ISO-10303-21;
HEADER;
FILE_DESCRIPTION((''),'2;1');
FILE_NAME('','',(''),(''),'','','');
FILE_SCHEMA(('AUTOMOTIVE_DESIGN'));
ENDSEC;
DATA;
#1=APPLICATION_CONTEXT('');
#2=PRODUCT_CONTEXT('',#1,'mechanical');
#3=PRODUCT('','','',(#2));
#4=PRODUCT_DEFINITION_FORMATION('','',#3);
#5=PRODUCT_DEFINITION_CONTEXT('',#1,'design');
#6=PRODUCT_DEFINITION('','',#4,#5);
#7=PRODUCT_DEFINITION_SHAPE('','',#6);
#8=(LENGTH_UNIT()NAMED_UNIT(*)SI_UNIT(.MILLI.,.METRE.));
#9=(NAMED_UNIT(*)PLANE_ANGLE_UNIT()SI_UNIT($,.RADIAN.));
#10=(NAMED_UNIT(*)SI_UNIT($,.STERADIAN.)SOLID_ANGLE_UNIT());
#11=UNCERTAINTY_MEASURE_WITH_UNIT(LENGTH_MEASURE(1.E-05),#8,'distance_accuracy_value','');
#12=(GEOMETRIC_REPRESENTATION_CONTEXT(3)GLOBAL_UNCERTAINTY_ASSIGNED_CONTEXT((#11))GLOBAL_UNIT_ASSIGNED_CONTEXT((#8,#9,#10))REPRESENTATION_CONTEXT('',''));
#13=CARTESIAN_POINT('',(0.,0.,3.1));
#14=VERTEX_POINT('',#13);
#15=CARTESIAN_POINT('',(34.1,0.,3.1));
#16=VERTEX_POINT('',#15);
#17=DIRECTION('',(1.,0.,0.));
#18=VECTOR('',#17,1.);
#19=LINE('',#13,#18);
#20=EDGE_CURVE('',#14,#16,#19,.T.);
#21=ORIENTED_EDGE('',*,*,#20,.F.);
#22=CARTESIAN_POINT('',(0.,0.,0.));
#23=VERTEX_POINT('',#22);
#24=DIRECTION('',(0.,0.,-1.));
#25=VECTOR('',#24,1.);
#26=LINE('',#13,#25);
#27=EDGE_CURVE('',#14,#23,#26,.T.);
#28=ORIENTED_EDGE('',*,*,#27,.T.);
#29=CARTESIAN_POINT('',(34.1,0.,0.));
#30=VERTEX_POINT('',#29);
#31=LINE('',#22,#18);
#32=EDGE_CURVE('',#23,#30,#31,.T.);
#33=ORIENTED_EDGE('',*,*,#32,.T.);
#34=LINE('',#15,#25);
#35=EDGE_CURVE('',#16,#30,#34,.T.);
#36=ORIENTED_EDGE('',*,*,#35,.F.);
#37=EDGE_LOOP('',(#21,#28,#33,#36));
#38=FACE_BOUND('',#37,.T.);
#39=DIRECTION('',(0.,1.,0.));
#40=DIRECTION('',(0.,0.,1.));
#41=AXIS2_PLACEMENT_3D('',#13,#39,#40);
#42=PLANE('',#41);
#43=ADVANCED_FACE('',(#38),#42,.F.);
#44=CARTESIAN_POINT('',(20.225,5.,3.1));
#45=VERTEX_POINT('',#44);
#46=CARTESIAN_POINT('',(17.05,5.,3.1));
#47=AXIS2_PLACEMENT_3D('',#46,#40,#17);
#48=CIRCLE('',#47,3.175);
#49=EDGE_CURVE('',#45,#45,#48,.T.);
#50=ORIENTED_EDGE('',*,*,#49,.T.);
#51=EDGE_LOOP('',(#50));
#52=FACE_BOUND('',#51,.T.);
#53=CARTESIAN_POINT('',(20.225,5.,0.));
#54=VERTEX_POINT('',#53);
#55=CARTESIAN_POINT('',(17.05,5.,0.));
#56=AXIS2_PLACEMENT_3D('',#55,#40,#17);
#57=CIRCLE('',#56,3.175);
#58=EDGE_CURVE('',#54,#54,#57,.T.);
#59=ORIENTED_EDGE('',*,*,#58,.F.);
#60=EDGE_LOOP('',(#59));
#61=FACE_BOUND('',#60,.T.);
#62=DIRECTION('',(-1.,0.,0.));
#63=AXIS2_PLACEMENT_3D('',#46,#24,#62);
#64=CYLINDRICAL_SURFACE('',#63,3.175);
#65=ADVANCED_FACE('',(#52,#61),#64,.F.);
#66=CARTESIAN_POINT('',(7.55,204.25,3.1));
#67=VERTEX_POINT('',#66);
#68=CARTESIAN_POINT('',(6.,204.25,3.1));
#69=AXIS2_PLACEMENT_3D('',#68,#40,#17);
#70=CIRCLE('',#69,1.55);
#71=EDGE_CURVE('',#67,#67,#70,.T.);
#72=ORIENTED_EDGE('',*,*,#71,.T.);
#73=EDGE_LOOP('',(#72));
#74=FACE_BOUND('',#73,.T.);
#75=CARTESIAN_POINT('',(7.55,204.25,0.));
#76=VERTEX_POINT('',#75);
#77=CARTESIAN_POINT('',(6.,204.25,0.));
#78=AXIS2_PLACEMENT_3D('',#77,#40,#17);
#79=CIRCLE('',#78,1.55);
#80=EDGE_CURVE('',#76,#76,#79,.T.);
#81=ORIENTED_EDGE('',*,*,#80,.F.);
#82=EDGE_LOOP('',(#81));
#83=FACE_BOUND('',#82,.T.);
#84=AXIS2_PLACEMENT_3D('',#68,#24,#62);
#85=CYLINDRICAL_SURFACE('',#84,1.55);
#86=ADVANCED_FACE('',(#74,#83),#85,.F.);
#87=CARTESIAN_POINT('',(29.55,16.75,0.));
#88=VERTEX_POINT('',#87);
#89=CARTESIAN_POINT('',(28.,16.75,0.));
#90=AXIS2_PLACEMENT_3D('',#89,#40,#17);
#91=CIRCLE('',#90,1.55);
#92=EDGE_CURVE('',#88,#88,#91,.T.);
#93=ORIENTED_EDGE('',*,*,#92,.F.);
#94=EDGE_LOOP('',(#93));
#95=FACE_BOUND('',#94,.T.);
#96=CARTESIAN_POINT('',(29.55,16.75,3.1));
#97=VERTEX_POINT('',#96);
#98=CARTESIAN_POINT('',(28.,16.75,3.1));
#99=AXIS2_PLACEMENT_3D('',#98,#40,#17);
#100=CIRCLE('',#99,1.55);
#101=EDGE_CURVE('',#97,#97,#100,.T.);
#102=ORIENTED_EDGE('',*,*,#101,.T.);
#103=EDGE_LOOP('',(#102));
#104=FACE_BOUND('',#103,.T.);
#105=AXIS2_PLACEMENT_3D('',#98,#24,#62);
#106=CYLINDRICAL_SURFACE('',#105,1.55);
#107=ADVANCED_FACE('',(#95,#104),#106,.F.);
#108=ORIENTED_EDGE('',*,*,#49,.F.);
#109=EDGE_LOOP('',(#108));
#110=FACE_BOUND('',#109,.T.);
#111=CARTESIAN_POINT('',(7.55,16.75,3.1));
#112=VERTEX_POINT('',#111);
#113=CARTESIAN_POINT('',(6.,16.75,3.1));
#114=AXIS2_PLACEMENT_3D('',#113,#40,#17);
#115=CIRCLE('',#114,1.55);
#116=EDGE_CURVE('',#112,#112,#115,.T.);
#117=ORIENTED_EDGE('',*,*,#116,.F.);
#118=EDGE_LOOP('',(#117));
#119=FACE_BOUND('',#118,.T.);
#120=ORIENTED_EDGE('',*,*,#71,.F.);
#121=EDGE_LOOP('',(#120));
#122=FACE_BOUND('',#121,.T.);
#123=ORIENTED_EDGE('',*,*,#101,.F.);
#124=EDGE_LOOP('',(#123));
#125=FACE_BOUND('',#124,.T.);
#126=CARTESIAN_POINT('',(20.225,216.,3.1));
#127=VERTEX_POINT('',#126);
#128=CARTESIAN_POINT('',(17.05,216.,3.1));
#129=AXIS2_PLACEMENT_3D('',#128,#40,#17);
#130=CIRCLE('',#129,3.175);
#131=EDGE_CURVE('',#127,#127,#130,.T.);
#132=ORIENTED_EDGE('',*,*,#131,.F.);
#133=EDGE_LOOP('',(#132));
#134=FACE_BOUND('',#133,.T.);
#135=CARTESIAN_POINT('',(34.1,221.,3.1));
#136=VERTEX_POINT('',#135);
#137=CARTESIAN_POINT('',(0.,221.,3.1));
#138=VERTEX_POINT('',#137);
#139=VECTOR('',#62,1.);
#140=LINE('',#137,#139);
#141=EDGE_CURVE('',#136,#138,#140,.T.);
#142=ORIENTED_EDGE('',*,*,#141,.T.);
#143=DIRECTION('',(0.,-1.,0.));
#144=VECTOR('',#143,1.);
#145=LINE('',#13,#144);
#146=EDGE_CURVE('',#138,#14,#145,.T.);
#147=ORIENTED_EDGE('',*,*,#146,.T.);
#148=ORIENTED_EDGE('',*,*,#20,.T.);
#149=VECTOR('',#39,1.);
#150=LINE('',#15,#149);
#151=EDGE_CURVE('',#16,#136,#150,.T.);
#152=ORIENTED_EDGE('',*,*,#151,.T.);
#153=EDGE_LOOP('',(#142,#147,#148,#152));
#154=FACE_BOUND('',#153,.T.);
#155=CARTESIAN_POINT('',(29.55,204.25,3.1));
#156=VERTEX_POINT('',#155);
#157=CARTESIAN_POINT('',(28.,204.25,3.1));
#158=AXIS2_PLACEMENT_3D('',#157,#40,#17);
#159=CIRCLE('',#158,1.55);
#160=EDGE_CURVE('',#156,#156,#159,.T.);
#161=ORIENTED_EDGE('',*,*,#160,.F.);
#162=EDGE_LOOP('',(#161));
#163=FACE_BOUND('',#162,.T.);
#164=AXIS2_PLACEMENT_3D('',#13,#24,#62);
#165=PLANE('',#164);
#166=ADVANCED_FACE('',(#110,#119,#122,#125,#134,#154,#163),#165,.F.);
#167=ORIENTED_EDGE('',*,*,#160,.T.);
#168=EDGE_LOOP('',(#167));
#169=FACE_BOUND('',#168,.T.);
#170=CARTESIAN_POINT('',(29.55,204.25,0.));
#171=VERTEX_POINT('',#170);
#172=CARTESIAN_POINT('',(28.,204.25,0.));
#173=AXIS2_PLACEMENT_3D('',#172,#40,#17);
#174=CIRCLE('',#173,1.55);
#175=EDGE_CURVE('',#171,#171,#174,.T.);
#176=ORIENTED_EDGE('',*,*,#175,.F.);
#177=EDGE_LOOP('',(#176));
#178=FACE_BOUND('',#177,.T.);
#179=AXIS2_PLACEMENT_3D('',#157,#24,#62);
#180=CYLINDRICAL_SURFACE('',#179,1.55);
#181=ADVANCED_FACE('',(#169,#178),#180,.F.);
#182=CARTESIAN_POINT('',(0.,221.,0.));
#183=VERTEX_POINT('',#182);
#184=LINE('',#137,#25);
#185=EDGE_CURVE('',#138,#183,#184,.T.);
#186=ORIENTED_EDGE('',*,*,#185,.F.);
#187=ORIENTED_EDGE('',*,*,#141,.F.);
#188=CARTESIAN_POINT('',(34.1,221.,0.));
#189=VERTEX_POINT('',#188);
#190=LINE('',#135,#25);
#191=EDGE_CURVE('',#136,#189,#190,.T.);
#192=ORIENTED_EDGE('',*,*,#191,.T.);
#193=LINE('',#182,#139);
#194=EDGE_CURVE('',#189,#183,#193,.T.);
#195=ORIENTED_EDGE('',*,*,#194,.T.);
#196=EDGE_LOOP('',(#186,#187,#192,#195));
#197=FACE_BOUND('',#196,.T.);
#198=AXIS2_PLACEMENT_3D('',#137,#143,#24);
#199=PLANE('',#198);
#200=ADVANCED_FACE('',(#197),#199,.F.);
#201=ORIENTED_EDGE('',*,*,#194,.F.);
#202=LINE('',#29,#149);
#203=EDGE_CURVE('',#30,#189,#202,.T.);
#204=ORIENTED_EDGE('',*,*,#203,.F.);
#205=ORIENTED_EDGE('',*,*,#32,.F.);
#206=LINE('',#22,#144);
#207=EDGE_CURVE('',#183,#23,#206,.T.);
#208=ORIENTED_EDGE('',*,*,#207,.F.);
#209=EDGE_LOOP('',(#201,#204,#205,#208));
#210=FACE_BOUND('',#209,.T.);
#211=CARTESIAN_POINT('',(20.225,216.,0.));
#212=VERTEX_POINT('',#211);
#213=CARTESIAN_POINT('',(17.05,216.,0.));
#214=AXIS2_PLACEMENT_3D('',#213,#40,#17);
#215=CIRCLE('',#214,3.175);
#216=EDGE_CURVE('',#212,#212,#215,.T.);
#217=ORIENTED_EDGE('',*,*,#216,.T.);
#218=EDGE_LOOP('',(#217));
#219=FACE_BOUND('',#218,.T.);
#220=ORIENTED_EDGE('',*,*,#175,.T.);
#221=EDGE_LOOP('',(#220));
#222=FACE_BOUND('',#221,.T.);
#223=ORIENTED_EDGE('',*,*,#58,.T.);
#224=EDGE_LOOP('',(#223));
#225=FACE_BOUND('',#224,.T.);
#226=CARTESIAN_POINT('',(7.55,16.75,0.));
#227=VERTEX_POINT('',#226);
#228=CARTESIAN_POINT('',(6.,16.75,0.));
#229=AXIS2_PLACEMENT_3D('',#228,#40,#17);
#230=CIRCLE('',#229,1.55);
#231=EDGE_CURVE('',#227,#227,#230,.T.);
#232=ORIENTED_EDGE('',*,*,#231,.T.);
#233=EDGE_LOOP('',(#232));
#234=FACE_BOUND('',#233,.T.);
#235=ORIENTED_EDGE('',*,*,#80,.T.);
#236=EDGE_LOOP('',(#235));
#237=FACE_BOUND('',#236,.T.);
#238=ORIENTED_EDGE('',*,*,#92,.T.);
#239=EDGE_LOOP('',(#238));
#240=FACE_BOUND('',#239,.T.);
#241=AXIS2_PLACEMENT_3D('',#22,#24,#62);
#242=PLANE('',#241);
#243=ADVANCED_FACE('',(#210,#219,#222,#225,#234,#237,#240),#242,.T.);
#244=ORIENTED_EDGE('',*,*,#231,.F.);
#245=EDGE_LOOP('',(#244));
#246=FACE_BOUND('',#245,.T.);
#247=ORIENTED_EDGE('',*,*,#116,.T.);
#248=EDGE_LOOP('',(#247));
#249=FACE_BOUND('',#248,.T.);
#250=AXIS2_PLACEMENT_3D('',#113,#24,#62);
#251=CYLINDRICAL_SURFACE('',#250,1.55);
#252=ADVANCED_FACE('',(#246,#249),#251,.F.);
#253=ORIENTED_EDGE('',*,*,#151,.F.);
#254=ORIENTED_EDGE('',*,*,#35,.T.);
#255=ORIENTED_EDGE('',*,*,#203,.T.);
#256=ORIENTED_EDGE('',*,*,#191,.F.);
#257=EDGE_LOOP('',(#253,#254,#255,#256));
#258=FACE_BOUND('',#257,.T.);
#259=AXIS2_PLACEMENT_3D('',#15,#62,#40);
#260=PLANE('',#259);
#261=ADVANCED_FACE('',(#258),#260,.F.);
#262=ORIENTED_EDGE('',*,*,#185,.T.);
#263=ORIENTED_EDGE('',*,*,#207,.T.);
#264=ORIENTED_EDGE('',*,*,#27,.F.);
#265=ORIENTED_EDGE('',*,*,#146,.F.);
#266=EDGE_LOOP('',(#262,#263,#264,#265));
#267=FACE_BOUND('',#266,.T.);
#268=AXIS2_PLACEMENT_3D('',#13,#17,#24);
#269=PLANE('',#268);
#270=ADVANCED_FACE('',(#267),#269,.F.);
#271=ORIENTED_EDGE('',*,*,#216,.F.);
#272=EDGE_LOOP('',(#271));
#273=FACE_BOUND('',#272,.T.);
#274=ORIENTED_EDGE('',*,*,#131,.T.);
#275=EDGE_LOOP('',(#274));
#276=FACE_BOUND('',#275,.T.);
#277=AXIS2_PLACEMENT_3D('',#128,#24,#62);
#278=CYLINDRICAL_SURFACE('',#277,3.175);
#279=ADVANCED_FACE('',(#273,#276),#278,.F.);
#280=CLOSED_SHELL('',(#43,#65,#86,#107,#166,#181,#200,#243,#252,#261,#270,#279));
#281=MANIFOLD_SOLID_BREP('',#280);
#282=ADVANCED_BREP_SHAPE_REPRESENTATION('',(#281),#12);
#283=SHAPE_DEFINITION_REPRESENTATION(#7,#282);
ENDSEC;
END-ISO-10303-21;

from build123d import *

# Parameters (mm, degrees)
SKETCH1_W           = 34.1
SKETCH1_H           = 221
SKETCH1_R           = 3.175
SKETCH1_R_2         = 1.55
BOSS_EXTRUDE1_DEPTH = 3.1


with BuildPart() as part:
    # Sketch1 → Boss-Extrude1 (new body)
    with BuildSketch(Plane.XY):
        with Locations((17.05, 110.5)):
            Rectangle(SKETCH1_W, SKETCH1_H)
        with Locations((17.05, 216)):
            Circle(SKETCH1_R, mode=Mode.SUBTRACT)
        with Locations((17.05, 5)):
            Circle(SKETCH1_R, mode=Mode.SUBTRACT)
        with Locations((6, 204.25)):
            Circle(SKETCH1_R_2, mode=Mode.SUBTRACT)
        with Locations((28, 204.25)):
            Circle(SKETCH1_R_2, mode=Mode.SUBTRACT)
        with Locations((28, 16.75)):
            Circle(SKETCH1_R_2, mode=Mode.SUBTRACT)
        with Locations((6, 16.75)):
            Circle(SKETCH1_R_2, mode=Mode.SUBTRACT)
    extrude(amount=BOSS_EXTRUDE1_DEPTH)


solid = part.part
